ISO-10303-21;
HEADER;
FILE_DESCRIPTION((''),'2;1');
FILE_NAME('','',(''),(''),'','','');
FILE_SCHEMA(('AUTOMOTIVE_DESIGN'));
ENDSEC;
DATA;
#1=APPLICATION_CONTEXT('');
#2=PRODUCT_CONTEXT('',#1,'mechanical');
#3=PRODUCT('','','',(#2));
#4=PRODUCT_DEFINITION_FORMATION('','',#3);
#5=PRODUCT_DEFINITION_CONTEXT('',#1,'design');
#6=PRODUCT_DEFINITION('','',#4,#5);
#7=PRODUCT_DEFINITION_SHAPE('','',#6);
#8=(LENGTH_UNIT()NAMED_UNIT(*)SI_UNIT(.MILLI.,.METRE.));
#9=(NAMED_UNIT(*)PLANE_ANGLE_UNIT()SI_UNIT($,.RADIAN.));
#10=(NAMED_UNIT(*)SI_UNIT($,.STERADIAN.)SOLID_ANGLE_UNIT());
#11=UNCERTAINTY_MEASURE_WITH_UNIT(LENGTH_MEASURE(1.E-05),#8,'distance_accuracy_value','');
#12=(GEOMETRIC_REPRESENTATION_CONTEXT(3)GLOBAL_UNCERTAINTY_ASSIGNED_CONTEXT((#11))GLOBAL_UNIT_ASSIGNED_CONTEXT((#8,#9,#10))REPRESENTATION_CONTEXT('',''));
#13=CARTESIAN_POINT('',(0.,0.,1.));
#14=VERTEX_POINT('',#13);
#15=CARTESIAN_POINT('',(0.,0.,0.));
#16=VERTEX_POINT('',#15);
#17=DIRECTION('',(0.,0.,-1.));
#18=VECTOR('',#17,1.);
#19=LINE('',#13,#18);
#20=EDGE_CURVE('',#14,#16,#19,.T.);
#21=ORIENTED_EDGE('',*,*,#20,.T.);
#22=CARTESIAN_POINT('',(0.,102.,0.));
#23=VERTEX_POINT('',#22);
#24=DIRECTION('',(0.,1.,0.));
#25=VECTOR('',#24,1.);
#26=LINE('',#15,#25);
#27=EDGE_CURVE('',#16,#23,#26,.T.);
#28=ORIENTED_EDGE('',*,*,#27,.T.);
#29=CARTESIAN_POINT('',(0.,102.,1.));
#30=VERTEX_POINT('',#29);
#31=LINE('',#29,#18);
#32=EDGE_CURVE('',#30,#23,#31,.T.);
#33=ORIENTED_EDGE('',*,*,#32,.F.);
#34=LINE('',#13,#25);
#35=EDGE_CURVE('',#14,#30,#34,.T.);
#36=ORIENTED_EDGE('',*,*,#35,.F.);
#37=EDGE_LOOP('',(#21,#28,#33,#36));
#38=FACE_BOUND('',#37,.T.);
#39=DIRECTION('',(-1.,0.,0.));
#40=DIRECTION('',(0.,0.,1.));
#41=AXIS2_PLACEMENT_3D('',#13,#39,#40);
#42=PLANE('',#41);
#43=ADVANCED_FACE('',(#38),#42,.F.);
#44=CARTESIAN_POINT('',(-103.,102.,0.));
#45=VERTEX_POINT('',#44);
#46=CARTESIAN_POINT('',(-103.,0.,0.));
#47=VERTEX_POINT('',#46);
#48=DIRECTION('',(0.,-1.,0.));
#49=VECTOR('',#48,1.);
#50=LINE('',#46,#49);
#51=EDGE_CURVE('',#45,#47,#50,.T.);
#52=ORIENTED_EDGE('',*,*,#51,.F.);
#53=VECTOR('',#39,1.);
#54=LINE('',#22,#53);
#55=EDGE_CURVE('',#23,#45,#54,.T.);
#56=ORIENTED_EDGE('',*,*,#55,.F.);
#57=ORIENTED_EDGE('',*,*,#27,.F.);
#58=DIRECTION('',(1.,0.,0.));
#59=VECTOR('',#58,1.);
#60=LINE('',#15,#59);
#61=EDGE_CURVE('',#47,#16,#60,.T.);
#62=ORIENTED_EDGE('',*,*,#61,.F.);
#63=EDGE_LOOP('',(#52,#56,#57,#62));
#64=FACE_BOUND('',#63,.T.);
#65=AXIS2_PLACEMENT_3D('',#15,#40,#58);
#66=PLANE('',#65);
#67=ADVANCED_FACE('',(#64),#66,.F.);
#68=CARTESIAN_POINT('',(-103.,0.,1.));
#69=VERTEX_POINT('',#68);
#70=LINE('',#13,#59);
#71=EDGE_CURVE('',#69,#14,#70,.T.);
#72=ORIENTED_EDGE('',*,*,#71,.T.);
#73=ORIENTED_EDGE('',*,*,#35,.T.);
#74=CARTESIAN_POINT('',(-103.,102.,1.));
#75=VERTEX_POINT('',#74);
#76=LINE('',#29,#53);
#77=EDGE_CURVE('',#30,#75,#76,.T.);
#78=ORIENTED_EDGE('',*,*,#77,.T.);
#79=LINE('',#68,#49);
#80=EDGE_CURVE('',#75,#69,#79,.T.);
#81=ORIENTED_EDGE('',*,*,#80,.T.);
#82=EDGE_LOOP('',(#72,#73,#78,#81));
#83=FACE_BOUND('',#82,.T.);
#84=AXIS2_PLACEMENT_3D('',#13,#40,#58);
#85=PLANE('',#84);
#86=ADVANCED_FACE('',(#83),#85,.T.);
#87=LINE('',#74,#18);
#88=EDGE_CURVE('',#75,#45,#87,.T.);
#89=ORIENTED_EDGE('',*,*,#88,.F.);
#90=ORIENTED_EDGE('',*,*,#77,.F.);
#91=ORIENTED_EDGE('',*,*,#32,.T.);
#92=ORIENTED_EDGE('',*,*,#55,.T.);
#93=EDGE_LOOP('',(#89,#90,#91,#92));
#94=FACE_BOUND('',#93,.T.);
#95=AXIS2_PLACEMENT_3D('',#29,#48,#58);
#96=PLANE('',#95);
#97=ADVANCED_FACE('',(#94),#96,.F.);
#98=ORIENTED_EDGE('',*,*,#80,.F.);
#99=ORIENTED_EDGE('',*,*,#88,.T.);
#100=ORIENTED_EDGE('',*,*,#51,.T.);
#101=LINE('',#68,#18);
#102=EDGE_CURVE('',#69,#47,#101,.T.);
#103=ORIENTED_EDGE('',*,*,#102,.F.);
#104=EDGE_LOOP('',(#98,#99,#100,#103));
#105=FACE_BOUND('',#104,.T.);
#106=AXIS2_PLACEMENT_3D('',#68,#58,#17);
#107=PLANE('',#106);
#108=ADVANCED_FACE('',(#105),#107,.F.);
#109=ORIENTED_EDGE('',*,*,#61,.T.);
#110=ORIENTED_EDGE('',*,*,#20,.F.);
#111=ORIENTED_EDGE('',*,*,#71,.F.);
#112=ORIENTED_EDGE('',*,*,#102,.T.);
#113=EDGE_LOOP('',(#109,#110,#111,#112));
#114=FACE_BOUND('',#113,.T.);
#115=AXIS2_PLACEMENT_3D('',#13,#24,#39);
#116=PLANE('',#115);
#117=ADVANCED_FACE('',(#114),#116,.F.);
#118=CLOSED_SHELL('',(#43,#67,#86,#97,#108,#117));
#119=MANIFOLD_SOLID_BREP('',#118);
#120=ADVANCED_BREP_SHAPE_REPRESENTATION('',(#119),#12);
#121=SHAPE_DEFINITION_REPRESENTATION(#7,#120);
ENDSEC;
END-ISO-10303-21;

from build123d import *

# Parameters (mm, degrees)
SKETCH_1_W      = 103
SKETCH_1_H      = 102
EXTRUDE_1_DEPTH = 1


with BuildPart() as part:
    # 草图1 → 凸台-拉伸1 (new body)
    with BuildSketch(Plane.XY):
        with Locations((-51.5, 51)):
            Rectangle(SKETCH_1_W, SKETCH_1_H)
    extrude(amount=EXTRUDE_1_DEPTH)


solid = part.part
